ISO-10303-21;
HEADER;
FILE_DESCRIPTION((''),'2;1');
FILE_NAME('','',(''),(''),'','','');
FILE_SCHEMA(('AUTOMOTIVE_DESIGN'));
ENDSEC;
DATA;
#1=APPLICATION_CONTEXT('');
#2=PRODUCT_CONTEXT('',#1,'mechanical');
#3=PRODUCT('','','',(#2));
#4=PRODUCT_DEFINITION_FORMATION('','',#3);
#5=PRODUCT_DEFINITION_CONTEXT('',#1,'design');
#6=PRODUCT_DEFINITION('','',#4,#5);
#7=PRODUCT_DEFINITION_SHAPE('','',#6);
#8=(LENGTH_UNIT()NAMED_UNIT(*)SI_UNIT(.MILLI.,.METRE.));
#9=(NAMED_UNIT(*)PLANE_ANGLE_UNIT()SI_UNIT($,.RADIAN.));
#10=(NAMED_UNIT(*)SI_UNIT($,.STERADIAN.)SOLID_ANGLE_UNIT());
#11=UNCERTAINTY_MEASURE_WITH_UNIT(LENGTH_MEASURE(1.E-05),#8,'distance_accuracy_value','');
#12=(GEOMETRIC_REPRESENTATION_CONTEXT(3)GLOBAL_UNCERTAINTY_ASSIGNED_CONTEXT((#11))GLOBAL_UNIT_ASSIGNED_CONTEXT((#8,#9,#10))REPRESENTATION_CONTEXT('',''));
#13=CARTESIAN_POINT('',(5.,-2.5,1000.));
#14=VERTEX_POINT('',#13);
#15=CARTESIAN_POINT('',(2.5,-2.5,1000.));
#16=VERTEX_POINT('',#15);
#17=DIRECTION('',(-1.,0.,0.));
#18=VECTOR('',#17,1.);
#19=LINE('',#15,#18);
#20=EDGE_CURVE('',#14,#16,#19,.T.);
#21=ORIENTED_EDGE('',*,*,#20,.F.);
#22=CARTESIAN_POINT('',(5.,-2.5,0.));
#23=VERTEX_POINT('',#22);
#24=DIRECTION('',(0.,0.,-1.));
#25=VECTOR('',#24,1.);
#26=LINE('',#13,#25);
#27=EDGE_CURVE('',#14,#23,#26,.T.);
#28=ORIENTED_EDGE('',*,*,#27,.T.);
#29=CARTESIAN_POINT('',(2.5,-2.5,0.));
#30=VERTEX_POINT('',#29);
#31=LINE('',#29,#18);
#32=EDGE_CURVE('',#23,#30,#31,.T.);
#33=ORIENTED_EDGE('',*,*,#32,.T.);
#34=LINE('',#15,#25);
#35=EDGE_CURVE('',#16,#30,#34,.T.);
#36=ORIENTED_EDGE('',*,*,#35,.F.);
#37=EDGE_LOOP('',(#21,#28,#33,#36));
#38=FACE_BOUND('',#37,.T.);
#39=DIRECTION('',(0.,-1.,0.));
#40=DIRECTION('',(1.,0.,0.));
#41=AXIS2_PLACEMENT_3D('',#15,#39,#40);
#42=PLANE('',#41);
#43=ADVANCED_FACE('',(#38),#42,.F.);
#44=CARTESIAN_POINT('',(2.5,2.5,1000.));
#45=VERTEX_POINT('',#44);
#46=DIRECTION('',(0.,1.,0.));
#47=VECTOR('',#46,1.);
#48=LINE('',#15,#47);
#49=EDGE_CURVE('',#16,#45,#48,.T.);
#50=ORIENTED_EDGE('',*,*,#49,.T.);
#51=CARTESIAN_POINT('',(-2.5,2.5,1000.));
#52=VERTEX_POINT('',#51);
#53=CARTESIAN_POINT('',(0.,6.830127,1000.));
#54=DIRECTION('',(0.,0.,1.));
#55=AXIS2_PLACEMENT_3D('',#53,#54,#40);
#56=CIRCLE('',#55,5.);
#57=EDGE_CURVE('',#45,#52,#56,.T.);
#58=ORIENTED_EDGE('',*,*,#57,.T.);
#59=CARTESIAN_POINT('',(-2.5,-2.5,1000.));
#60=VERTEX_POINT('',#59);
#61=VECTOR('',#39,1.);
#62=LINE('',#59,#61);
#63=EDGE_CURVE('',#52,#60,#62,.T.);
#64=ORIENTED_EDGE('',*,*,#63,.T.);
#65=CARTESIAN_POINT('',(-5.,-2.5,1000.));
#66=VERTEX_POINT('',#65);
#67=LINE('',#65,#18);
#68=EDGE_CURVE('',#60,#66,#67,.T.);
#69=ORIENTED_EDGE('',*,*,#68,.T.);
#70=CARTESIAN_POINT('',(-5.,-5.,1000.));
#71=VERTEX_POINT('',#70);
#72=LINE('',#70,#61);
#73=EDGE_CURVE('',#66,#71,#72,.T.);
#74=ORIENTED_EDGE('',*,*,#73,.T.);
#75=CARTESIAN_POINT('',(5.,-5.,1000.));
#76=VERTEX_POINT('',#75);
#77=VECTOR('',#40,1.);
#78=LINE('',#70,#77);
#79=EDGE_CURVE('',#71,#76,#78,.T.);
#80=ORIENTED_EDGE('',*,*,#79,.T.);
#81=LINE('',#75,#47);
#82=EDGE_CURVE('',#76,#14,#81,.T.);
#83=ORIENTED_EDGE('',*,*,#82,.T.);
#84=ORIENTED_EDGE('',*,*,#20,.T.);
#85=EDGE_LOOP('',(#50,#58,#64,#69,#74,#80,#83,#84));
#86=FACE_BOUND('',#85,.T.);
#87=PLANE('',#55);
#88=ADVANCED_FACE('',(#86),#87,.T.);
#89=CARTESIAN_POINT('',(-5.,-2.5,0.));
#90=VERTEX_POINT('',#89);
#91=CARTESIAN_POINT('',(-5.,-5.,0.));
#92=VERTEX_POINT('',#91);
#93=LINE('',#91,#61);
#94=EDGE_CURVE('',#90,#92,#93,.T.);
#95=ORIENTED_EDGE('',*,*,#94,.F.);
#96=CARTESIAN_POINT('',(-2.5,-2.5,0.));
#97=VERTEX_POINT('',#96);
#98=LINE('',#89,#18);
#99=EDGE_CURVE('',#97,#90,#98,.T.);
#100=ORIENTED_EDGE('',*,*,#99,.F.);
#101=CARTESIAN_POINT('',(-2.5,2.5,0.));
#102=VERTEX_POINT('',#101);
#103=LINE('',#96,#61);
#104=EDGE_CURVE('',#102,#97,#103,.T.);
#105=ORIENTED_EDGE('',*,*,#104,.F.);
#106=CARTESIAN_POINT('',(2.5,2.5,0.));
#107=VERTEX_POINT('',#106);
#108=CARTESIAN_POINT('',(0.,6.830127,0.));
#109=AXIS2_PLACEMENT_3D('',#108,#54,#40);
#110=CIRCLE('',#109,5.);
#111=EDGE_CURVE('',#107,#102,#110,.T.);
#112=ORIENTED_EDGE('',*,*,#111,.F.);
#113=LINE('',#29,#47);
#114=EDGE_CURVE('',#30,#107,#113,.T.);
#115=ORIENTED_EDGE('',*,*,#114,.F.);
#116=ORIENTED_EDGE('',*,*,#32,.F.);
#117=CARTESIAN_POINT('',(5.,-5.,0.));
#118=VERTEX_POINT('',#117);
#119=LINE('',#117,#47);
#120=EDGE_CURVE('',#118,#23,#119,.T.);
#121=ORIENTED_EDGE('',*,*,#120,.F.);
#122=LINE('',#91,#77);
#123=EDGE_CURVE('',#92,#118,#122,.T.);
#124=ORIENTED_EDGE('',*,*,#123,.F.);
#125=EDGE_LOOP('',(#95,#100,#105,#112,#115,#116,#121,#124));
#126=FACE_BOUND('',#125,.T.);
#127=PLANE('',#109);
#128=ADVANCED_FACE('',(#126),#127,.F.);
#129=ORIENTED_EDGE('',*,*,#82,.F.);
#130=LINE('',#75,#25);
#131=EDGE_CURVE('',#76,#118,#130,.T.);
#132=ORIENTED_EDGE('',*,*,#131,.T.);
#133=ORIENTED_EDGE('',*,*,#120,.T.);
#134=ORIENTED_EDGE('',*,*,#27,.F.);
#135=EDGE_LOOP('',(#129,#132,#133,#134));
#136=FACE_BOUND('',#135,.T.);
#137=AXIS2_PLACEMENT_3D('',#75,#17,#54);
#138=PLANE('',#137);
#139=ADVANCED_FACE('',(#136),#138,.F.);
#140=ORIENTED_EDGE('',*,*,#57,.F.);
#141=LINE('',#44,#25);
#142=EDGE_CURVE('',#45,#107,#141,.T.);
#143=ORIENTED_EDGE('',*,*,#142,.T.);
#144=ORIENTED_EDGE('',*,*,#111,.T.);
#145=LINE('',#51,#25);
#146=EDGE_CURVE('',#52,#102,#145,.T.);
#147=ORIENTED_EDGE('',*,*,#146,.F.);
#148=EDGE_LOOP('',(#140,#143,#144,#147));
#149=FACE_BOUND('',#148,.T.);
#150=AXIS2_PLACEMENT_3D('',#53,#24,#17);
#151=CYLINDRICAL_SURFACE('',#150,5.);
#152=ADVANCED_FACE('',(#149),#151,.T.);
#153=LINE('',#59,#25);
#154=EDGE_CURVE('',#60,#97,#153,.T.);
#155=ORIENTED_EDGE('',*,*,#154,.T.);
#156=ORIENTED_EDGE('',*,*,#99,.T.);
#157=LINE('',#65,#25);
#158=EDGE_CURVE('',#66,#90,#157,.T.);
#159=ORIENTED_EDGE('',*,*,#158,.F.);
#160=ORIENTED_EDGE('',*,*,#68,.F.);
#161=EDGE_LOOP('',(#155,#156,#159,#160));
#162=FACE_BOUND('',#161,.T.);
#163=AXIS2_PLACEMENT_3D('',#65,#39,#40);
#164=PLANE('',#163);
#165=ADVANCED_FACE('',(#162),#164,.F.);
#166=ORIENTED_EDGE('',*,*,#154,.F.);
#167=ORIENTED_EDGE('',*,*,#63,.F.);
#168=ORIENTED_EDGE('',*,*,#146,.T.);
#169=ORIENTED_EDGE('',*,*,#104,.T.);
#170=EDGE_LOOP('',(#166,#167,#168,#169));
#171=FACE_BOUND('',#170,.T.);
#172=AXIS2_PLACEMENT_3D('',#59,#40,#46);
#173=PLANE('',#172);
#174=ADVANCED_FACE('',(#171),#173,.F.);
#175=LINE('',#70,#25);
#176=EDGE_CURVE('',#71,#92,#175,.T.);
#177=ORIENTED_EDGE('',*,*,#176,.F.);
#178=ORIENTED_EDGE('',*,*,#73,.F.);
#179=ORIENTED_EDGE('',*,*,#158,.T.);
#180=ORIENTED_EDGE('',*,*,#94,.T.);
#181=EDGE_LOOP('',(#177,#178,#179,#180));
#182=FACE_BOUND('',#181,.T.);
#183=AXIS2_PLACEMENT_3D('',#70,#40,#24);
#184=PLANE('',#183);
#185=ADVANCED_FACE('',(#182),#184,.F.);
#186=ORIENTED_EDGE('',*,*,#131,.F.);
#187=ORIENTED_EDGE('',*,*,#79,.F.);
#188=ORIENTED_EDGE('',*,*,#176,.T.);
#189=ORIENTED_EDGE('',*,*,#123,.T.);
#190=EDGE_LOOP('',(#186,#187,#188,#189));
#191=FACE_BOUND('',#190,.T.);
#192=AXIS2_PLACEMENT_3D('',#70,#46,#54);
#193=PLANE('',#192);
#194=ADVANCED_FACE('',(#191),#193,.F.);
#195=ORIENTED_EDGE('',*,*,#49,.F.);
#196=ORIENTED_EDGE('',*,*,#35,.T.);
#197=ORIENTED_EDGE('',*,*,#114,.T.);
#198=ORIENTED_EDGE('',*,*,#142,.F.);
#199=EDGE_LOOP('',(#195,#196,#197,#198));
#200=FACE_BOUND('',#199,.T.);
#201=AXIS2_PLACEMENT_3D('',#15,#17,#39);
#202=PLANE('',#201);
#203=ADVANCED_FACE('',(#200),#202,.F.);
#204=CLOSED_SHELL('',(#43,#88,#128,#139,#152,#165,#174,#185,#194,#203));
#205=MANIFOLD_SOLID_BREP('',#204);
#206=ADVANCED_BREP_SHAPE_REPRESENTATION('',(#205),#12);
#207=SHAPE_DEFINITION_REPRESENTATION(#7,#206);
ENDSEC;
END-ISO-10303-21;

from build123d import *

# Parameters (mm, degrees)
BOSS_EXTRUDE1_DEPTH = 1000


with BuildPart() as part:
    # Sketch2 → Boss-Extrude1 (new body)
    with BuildSketch(Plane.XY):
        with BuildLine():
            Line((-5, -5), (5, -5))
            Line((5, -5), (5, -2.5))
            Line((5, -2.5), (2.5, -2.5))
            Line((2.5, -2.5), (2.5, 2.5))
            ThreePointArc((2.5, 2.5), (0, 11.830127019), (-2.5, 2.5))
            Line((-2.5, 2.5), (-2.5, -2.5))
            Line((-2.5, -2.5), (-5, -2.5))
            Line((-5, -2.5), (-5, -5))
        make_face()
    extrude(amount=BOSS_EXTRUDE1_DEPTH)


solid = part.part
